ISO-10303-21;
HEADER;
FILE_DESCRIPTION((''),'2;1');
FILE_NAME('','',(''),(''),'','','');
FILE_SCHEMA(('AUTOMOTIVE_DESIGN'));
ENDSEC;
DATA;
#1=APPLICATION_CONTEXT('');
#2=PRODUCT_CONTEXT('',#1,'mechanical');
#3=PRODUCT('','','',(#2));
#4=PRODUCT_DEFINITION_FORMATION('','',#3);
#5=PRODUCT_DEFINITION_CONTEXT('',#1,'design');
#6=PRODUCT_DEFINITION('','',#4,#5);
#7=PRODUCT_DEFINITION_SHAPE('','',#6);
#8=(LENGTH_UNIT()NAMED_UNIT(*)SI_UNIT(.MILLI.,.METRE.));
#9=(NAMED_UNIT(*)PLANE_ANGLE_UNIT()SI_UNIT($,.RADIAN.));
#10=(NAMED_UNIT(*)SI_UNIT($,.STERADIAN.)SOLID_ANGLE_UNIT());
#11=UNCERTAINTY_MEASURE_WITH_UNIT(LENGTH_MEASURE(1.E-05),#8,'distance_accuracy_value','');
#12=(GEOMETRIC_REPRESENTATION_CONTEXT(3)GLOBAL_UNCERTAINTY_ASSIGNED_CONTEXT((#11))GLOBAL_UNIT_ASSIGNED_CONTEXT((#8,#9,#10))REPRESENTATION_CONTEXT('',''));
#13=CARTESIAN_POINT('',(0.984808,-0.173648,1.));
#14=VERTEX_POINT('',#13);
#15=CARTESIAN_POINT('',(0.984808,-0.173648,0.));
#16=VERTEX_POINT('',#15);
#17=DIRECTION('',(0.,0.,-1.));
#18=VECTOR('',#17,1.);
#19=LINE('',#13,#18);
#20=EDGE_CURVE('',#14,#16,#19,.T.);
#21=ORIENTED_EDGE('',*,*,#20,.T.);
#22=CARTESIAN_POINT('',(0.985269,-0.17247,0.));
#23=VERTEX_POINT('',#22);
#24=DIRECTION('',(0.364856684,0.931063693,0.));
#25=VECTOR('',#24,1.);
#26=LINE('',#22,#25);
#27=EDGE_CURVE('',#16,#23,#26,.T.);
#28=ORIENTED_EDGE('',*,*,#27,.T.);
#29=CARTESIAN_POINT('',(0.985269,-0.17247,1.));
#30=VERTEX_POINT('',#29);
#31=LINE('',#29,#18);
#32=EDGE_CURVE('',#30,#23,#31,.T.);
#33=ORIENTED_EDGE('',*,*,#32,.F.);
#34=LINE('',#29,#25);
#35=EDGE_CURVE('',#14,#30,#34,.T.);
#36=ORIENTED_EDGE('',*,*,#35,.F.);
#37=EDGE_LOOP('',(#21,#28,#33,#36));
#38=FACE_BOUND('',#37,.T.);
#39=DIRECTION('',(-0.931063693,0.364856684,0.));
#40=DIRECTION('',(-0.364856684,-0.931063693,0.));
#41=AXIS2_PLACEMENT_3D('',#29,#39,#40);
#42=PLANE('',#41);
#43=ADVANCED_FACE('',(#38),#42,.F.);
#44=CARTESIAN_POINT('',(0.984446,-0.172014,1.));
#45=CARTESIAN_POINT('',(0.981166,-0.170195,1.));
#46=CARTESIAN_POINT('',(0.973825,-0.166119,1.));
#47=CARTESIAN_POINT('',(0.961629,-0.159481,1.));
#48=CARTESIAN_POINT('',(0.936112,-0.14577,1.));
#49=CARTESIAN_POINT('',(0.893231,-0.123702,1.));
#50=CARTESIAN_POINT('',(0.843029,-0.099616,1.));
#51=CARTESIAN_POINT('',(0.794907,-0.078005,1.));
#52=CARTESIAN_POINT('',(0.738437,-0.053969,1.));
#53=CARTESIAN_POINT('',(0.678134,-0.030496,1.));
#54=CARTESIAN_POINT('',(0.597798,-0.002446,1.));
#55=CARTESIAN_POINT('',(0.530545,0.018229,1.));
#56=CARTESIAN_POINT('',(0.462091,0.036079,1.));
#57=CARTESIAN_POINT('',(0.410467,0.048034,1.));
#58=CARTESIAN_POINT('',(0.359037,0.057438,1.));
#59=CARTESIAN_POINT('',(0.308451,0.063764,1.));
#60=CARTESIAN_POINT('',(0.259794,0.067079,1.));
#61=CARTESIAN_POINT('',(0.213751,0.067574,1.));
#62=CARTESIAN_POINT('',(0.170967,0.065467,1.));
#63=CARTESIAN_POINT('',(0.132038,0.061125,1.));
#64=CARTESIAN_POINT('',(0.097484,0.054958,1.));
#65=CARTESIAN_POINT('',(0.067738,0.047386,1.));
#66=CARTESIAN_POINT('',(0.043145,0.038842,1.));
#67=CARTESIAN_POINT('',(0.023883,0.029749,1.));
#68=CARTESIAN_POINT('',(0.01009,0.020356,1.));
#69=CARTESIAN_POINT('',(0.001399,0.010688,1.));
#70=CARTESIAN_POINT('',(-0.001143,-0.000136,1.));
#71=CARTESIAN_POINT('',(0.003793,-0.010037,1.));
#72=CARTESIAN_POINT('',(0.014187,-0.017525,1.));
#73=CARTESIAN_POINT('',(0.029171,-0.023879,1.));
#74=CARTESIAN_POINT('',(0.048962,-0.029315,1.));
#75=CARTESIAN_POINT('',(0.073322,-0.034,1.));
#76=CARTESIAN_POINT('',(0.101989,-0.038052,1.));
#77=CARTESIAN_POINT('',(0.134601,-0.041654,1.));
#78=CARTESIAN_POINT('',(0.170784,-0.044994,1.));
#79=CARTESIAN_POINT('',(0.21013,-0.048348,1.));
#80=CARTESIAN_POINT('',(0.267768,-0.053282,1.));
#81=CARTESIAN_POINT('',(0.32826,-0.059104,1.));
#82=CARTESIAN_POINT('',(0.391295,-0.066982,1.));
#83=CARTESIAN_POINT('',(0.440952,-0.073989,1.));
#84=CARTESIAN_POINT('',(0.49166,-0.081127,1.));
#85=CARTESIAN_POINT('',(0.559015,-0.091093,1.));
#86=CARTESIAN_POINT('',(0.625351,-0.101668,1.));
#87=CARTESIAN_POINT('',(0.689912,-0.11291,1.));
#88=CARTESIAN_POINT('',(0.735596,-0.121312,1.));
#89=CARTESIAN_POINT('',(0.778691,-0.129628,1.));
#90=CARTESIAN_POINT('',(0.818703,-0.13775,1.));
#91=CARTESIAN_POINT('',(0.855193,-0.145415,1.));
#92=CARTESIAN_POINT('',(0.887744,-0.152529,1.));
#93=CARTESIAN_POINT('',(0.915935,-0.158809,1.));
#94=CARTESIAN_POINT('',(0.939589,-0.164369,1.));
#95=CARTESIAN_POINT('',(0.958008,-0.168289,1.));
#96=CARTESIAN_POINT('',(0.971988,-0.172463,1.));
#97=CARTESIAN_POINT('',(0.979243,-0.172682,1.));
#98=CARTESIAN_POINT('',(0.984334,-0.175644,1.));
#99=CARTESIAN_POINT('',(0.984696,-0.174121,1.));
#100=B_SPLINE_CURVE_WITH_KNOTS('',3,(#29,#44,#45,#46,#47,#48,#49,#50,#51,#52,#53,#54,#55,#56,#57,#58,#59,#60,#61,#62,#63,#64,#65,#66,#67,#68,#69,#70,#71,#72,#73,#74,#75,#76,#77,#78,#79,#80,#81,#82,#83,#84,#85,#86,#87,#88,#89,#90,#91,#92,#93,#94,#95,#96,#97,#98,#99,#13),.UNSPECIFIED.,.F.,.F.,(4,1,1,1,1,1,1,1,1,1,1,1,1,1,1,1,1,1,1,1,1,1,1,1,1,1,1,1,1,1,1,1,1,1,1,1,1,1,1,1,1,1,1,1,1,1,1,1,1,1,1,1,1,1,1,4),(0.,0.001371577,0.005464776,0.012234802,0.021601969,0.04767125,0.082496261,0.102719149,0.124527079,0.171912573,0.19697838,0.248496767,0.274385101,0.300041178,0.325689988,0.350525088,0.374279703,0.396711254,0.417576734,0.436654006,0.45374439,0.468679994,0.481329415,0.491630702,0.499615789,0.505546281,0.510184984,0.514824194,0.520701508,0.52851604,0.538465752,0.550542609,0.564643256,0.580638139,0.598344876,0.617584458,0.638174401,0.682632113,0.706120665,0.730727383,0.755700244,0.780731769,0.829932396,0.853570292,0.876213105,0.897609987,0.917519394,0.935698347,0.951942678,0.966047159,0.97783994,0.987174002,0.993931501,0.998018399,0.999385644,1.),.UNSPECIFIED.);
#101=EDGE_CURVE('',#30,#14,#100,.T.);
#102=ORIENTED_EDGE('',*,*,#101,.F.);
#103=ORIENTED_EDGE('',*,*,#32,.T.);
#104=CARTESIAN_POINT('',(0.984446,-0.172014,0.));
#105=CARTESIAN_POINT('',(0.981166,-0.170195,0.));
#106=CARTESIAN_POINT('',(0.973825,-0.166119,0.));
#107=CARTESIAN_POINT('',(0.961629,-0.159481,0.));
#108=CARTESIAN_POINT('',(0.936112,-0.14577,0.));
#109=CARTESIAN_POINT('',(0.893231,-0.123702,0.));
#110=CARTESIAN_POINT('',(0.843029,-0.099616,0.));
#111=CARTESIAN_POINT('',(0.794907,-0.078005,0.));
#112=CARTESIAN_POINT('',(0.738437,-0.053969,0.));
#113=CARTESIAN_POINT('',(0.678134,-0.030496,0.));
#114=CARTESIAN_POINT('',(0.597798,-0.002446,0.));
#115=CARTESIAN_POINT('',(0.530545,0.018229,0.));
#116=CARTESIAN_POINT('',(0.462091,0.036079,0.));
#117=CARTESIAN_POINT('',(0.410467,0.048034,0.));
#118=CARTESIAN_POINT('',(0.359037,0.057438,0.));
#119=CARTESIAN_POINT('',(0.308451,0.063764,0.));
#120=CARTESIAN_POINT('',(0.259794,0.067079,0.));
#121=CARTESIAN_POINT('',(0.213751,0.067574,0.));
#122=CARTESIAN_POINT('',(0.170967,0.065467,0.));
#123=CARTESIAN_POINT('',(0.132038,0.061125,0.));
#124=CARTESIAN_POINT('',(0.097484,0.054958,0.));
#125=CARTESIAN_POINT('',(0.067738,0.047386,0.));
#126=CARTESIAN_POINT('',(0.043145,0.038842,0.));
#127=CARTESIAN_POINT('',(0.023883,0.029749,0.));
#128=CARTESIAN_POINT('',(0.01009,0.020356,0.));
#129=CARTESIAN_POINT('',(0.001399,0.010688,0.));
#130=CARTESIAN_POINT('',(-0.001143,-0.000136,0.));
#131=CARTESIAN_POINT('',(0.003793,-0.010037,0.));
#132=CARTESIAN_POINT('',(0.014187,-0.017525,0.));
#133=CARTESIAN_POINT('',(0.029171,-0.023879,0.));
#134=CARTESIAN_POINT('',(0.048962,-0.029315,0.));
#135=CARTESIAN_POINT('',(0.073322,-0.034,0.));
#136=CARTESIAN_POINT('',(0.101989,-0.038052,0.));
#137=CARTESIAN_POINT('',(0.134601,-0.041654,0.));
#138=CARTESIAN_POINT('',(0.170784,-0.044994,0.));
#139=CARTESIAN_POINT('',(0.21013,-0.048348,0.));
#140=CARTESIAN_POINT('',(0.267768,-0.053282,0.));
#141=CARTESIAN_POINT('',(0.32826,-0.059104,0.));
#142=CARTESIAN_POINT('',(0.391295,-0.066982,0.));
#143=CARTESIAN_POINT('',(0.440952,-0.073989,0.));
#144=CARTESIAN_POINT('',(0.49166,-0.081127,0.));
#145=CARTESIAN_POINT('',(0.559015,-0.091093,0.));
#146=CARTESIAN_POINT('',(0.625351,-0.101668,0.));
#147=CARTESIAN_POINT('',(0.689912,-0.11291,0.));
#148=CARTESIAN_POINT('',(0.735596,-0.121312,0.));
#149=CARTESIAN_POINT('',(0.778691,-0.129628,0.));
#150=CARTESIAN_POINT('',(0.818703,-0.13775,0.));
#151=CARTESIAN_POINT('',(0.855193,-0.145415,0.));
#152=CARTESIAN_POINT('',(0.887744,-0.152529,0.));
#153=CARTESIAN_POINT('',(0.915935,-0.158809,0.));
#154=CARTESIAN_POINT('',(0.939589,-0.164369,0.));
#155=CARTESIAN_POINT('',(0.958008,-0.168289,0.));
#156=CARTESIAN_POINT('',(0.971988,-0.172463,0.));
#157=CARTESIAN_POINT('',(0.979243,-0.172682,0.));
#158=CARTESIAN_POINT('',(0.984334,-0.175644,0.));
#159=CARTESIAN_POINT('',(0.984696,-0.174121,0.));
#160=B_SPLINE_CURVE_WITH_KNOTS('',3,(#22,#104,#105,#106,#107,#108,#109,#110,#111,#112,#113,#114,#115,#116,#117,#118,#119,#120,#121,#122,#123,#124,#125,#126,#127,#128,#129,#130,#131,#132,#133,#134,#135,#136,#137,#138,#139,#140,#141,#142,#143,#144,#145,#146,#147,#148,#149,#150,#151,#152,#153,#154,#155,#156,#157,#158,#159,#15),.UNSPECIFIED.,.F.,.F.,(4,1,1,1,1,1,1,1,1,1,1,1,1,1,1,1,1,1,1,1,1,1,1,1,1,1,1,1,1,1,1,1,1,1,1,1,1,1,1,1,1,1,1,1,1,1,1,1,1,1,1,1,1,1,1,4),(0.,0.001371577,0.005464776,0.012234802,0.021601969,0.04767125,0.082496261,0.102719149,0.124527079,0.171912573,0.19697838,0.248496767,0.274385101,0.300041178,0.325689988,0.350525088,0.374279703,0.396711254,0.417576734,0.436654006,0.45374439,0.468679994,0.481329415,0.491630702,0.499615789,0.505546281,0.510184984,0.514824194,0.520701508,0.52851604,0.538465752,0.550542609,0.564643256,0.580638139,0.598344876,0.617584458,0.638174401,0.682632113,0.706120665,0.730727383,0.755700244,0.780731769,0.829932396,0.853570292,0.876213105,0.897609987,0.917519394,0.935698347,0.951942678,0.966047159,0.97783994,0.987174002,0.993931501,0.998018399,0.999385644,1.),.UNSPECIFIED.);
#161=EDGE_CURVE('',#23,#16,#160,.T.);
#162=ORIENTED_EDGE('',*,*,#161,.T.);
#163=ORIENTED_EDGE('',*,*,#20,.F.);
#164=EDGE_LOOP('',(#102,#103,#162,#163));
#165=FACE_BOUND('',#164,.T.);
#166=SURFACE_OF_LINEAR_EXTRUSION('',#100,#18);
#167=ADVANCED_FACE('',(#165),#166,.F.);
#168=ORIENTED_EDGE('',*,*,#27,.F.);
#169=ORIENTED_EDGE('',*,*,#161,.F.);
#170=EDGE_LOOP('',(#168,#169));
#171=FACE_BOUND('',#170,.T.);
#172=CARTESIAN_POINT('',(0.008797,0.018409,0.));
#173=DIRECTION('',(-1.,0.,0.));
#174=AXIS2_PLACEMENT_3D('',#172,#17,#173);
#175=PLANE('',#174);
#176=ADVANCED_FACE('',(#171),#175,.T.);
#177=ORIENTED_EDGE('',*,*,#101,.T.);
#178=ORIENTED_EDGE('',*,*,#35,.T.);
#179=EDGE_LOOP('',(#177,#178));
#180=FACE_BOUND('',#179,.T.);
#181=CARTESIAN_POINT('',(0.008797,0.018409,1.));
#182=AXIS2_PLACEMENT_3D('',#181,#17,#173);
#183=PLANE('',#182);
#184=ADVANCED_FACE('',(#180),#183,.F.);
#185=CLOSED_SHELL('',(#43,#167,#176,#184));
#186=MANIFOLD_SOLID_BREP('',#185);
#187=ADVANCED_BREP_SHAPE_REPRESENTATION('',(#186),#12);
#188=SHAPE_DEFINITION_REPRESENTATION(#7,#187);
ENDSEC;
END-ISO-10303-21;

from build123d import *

# Parameters (mm, degrees)
BOSS_EXTRUDE1_DEPTH = 1


with BuildPart() as part:
    # Sketch2 → Boss-Extrude1 (new body)
    with BuildSketch(Plane.XY):
        with BuildLine():
            Line((0.985269279, -0.172470428), (0.984807753, -0.173648178))
            add(Edge.make_bspline(
                [(0.985269279, -0.172470428), (0.984446032, -0.17201391), (0.981165968, -0.170195005), (0.973824529, -0.166118847), (0.96162935, -0.159480582), (0.936111696, -0.145769989), (0.893230541, -0.123701536), (0.84302901, -0.099615505), (0.794907243, -0.078004965), (0.738436665, -0.053969045), (0.678134153, -0.030495617), (0.597797697, -0.002445995), (0.530545327, 0.018229095), (0.462091412, 0.036078941), (0.410466522, 0.048033828), (0.359036754, 0.057437961), (0.308451005, 0.063763739), (0.259794041, 0.067079108), (0.213750756, 0.067574018), (0.170966815, 0.065467329), (0.132038367, 0.061125093), (0.097483945, 0.054958185), (0.067737631, 0.047386091), (0.043144816, 0.038841797), (0.023882732, 0.029749231), (0.010089606, 0.02035553), (0.001398782, 0.010688183), (-0.001143091, -0.000135795), (0.003793022, -0.010036913), (0.014186694, -0.017524548), (0.029171278, -0.023879415), (0.048961794, -0.029315), (0.073321743, -0.033999898), (0.101989309, -0.038051638), (0.134601478, -0.041653573), (0.170783653, -0.044993808), (0.210129628, -0.048348193), (0.267767766, -0.053281526), (0.328259563, -0.05910438), (0.391294982, -0.066982078), (0.440952377, -0.073988769), (0.491660205, -0.081126562), (0.559014769, -0.091093321), (0.625350905, -0.101667664), (0.689911857, -0.112910426), (0.73559561, -0.121311528), (0.778690915, -0.129627802), (0.818703035, -0.13775014), (0.855192821, -0.145415084), (0.887744283, -0.152529281), (0.915935375, -0.158809255), (0.939589112, -0.16436884), (0.958007605, -0.168288914), (0.971988492, -0.172462524), (0.979243127, -0.172681644), (0.984333756, -0.175644292), (0.984695578, -0.174120576), (0.984807753, -0.173648178)],
                knots=[0, 0, 0, 0, 0.001371577, 0.005464776, 0.012234802, 0.021601969, 0.04767125, 0.082496261, 0.102719149, 0.124527079, 0.171912573, 0.19697838, 0.248496767, 0.274385101, 0.300041178, 0.325689988, 0.350525088, 0.374279703, 0.396711254, 0.417576734, 0.436654006, 0.45374439, 0.468679994, 0.481329415, 0.491630702, 0.499615789, 0.505546281, 0.510184984, 0.514824194, 0.520701508, 0.52851604, 0.538465752, 0.550542609, 0.564643256, 0.580638139, 0.598344876, 0.617584458, 0.638174401, 0.682632113, 0.706120665, 0.730727383, 0.755700244, 0.780731769, 0.829932396, 0.853570292, 0.876213105, 0.897609987, 0.917519394, 0.935698347, 0.951942678, 0.966047159, 0.97783994, 0.987174002, 0.993931501, 0.998018399, 0.999385644, 1, 1, 1, 1], degree=3))
        make_face()
    extrude(amount=BOSS_EXTRUDE1_DEPTH)


solid = part.part
